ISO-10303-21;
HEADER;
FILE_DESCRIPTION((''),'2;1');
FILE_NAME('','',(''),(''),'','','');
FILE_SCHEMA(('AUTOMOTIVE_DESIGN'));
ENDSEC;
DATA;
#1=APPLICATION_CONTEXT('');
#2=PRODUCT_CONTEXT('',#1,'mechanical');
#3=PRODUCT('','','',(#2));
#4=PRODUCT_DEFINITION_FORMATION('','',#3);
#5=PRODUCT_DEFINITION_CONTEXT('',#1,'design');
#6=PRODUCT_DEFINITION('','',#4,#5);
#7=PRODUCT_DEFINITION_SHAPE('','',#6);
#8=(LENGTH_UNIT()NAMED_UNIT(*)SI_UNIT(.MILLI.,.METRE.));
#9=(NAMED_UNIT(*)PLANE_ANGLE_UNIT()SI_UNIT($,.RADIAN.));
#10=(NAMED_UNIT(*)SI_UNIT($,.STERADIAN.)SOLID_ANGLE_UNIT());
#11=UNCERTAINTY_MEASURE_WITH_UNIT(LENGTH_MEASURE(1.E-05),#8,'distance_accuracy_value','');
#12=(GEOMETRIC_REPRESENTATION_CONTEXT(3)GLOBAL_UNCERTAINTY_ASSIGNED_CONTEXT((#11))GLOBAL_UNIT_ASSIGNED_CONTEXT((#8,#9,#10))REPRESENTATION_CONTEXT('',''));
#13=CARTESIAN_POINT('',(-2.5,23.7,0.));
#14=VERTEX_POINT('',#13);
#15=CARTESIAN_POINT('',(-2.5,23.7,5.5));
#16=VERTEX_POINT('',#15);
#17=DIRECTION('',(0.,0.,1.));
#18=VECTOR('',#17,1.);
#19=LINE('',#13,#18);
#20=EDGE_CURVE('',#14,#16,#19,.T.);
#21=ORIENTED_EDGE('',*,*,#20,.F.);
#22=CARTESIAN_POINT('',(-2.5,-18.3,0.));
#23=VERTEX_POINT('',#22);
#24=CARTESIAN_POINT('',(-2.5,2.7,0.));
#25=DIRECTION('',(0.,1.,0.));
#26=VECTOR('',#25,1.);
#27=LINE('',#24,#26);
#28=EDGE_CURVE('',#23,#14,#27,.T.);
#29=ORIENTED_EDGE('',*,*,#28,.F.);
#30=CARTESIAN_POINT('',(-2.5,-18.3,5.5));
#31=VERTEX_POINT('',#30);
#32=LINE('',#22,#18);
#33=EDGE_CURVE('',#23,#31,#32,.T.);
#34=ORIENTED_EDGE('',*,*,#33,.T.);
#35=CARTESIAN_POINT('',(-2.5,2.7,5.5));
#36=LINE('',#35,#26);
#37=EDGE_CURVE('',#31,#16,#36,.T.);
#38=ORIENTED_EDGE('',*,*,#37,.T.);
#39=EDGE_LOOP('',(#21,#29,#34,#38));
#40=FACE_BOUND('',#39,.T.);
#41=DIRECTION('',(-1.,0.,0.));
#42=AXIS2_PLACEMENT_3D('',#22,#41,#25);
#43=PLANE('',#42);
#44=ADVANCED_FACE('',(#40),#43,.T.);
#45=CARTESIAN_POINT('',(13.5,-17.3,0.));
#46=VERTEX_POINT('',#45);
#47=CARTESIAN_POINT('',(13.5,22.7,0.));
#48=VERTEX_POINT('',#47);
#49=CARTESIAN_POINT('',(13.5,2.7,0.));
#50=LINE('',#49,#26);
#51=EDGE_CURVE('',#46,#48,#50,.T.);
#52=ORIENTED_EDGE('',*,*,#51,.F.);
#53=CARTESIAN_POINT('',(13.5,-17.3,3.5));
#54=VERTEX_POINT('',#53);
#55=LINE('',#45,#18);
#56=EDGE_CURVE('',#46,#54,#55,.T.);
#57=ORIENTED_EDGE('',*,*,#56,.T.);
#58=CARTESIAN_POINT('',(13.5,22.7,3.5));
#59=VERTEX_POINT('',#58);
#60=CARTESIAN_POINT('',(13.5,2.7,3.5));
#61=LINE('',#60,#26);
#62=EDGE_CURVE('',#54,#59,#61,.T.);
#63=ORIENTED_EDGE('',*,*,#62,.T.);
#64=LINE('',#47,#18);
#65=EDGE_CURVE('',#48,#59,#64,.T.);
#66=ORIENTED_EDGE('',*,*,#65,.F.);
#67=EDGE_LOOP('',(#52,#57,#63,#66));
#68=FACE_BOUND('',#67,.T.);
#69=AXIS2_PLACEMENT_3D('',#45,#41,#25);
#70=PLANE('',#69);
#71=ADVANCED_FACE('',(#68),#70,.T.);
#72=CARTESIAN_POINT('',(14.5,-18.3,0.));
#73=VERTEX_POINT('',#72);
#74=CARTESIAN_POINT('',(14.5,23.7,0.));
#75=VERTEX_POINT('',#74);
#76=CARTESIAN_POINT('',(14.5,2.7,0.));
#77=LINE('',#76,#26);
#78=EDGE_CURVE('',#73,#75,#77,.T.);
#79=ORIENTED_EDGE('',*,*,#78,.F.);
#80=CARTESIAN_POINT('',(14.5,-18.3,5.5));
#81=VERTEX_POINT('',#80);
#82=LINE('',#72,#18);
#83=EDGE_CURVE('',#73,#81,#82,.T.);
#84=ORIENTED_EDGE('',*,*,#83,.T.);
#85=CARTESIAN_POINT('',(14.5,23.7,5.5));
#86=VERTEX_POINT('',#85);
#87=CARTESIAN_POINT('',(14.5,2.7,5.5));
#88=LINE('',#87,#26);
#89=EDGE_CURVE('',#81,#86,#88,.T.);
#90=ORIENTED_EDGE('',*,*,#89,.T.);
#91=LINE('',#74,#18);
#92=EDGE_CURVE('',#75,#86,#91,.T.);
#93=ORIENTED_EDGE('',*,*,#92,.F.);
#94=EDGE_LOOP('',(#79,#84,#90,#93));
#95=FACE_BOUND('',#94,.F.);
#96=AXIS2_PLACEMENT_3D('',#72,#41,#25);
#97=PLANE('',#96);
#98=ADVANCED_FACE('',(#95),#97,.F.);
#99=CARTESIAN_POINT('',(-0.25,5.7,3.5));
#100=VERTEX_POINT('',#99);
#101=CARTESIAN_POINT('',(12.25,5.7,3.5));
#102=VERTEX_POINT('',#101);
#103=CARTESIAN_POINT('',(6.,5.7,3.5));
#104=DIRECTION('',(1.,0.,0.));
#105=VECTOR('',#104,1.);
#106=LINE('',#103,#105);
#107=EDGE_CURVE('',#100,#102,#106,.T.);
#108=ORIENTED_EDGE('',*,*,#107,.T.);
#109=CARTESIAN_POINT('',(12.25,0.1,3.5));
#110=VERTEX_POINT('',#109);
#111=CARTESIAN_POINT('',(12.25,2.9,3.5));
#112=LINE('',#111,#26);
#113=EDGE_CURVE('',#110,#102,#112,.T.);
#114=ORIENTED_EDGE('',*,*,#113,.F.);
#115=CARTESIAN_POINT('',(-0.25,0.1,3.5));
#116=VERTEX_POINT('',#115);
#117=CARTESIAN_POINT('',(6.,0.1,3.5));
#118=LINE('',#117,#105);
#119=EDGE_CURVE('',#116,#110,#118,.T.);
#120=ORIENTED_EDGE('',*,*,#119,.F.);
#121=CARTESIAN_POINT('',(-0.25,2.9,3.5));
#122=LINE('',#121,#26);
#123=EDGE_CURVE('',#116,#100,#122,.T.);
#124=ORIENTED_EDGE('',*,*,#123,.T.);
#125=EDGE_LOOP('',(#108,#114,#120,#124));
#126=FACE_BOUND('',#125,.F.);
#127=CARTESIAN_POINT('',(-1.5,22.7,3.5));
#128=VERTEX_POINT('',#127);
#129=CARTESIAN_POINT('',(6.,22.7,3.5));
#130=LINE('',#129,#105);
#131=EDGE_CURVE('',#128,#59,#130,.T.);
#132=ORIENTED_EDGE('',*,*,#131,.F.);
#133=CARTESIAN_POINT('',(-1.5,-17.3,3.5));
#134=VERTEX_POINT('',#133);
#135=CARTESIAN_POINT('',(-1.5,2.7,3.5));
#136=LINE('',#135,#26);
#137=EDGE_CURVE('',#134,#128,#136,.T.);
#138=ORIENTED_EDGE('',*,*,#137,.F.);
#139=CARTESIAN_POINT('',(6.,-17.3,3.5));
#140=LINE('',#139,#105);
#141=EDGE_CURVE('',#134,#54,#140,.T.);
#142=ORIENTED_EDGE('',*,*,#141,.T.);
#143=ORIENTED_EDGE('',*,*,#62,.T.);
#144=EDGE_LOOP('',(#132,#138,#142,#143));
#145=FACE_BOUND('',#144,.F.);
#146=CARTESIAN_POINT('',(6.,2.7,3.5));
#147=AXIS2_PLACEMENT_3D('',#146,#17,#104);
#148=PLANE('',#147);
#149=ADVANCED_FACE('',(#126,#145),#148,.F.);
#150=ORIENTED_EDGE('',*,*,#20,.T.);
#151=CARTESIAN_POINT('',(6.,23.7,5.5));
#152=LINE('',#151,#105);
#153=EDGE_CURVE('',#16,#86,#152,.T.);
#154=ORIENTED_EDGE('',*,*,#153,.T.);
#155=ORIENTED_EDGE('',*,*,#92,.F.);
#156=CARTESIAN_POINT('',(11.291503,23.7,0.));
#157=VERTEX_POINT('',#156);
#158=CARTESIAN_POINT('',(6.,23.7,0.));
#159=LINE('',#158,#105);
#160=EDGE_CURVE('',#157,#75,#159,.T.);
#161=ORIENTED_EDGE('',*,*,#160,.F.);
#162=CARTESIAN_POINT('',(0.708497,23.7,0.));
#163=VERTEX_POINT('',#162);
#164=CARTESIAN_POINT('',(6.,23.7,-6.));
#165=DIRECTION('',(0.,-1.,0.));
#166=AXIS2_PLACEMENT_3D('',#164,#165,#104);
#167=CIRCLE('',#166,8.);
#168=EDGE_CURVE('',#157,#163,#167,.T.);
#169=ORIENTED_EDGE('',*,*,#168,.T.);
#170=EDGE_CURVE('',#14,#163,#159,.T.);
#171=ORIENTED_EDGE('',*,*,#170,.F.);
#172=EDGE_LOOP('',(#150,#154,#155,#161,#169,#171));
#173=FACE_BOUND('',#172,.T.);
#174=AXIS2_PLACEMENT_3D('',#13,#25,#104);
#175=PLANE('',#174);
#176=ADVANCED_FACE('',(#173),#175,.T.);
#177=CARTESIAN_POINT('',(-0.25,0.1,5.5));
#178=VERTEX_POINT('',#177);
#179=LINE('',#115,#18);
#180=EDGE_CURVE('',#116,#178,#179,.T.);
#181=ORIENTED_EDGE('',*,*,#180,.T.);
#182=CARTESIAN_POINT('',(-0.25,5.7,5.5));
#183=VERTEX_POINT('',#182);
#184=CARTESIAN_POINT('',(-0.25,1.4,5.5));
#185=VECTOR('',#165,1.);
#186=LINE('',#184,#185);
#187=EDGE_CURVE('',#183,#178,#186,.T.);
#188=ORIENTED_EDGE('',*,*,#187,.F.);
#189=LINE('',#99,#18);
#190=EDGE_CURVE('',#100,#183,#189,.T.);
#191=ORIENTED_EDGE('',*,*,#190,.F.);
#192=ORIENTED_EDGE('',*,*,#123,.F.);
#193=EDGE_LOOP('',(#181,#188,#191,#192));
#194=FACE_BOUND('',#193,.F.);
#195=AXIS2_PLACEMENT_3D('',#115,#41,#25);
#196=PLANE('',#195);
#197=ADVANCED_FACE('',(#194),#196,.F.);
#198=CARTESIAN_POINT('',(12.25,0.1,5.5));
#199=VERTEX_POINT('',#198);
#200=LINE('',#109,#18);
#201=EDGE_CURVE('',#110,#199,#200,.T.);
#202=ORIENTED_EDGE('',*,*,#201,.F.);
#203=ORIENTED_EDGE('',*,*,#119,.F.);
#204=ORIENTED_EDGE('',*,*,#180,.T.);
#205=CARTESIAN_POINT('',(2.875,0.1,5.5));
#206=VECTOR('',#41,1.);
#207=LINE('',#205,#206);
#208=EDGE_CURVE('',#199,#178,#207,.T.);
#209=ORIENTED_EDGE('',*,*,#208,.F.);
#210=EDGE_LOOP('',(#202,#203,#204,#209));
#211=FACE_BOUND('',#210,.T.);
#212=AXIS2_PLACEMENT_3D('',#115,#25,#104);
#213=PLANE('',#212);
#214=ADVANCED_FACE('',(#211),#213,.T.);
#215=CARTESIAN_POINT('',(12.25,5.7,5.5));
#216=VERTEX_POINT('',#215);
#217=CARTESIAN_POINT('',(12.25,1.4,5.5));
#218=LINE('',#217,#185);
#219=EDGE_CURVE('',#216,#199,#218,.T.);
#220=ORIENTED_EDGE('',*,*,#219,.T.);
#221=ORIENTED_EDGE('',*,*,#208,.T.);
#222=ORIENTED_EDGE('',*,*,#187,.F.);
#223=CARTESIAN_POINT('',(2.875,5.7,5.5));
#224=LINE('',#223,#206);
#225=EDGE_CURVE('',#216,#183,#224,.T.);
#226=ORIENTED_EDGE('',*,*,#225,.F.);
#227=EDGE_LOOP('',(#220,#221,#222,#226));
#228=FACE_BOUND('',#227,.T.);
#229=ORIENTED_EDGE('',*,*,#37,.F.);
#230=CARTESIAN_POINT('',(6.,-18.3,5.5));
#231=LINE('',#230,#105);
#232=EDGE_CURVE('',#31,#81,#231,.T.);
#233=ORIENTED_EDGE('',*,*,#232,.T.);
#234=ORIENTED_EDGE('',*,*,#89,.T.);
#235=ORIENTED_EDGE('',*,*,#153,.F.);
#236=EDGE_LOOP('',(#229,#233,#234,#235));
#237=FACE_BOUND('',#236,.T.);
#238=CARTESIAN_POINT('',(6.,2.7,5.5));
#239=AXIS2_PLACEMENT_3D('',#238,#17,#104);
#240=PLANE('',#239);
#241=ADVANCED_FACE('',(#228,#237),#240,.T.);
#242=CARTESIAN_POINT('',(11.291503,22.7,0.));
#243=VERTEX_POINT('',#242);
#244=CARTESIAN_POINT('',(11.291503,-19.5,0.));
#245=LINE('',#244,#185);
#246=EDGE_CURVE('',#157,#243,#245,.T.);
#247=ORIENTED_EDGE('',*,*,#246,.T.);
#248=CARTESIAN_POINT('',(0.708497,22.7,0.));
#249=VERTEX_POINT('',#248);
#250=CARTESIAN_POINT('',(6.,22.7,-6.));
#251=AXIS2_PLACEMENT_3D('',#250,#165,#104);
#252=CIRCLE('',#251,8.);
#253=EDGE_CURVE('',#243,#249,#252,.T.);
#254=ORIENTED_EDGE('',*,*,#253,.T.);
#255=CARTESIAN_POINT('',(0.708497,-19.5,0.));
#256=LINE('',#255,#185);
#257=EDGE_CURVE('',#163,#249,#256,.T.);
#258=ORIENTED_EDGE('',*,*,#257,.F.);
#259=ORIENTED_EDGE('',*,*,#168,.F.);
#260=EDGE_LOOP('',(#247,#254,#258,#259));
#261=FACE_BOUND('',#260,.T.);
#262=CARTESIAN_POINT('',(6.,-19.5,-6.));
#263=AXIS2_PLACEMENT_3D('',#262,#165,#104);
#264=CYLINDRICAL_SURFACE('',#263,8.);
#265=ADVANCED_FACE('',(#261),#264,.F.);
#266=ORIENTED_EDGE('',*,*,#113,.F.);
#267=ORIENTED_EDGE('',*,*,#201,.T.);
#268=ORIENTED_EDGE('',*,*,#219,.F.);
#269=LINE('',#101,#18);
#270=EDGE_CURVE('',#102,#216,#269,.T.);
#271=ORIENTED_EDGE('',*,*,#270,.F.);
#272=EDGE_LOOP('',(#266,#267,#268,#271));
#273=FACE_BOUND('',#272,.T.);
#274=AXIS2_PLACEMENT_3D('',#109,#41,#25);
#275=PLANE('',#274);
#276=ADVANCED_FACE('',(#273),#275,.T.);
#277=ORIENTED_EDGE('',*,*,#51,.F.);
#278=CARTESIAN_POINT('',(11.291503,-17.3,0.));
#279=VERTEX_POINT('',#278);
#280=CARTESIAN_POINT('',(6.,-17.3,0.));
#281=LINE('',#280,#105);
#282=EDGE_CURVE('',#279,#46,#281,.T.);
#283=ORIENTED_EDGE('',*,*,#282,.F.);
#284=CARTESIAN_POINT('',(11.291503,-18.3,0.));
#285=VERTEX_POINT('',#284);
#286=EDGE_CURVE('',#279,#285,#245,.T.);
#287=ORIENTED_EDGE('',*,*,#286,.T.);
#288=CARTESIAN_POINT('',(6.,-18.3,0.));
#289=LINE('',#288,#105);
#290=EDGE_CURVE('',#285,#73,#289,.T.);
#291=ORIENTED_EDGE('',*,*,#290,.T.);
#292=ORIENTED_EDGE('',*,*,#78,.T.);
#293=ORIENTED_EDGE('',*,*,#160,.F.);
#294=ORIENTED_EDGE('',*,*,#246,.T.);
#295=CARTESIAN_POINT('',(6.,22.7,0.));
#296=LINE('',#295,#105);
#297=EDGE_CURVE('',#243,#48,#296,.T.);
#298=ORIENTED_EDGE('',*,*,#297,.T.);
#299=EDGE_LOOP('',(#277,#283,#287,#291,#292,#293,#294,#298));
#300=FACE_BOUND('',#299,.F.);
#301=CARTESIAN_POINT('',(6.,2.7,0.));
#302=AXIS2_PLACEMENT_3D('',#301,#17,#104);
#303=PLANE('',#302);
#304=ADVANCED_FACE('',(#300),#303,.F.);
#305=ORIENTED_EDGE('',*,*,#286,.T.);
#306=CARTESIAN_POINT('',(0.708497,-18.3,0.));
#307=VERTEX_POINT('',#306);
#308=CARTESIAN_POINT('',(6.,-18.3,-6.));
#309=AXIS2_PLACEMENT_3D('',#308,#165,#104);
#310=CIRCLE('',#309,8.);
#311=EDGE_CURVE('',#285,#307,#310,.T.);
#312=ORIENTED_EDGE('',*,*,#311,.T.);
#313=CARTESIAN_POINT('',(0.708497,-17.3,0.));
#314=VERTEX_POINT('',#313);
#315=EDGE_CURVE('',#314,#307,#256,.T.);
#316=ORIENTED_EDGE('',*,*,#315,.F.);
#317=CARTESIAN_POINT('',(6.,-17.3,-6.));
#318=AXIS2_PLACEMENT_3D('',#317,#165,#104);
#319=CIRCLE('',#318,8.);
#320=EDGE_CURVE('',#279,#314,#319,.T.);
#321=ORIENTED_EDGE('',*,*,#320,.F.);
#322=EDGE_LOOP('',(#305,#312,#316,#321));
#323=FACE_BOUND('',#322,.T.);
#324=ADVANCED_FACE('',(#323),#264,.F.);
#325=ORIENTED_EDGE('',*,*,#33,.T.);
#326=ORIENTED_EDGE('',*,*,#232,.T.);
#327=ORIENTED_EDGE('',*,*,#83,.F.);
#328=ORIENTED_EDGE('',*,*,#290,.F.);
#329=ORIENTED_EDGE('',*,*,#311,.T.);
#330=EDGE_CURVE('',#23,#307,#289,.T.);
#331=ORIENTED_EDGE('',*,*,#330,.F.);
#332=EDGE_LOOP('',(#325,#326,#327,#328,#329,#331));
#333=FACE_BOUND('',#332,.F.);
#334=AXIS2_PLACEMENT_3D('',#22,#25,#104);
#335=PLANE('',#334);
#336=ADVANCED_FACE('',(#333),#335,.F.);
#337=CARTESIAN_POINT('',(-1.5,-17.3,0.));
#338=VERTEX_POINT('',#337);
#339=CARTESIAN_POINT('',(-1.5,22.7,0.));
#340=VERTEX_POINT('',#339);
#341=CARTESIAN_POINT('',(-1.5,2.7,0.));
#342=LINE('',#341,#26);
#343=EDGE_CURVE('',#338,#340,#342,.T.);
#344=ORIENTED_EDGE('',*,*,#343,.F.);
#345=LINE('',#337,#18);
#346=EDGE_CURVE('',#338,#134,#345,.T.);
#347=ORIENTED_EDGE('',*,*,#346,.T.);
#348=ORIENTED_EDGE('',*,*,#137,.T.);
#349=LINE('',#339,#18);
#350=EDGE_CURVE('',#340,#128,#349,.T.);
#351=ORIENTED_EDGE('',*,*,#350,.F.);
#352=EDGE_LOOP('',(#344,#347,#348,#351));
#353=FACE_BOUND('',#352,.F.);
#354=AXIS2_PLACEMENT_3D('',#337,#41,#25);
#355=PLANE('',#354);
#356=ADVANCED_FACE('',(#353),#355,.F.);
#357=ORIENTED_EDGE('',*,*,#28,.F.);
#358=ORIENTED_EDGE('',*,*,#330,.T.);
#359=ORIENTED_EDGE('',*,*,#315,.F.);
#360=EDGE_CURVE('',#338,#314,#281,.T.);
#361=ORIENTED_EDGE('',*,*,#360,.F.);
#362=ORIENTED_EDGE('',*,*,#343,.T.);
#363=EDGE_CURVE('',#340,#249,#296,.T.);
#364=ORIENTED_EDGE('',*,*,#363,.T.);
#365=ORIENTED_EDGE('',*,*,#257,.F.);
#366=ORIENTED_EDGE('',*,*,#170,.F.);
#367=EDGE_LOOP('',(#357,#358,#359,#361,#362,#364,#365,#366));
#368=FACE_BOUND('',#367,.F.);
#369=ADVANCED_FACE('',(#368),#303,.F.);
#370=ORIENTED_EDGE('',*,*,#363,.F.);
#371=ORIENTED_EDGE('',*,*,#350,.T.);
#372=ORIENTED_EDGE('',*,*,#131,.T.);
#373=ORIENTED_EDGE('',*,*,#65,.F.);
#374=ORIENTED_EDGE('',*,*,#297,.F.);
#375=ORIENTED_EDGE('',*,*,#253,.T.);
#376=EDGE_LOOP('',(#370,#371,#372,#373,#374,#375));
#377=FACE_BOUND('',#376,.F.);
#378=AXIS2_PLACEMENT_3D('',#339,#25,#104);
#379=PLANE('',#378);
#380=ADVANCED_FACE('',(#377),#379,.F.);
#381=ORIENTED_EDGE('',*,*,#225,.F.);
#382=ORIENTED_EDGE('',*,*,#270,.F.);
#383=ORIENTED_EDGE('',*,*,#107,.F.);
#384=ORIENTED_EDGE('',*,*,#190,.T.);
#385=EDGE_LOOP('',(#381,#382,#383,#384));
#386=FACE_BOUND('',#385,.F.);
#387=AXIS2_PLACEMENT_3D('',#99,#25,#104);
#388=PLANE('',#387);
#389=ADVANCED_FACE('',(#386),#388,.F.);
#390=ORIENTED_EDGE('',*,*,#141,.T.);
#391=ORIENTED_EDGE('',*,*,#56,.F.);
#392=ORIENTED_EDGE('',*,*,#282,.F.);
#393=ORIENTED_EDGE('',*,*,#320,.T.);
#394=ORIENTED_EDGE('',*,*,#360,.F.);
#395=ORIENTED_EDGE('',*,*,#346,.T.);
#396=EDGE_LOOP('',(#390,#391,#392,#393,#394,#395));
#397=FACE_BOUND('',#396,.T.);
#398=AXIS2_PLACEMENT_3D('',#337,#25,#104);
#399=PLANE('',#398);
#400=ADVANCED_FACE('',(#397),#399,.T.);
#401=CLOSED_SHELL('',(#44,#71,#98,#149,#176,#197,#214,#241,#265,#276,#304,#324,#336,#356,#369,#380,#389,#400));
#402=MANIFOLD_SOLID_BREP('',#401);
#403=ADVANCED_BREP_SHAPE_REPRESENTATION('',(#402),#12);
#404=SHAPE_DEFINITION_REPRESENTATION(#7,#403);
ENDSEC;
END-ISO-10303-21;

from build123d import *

# Parameters (mm, degrees)
CYLINDER004_R     = 8
CYLINDER004_DEPTH = 45
BOX007_W          = 15
BOX007_H          = 40
BOX007_DEPTH      = 5.5
BOX006_W          = 17
BOX006_H          = 42
BOX006_DEPTH      = 5.5
BOX002_W          = 12.5
BOX002_H          = 5.6
BOX002_DEPTH      = 10
BOX005_W          = 15
BOX005_H          = 40
BOX005_DEPTH      = 2


with BuildPart() as cylinder004:
    # Cylinder004 → Cylinder004 (new body)
    with BuildSketch(Plane(origin=(6, -19.5, -6), x_dir=(1, 0, 0), z_dir=(0, 1, 0))):
        Circle(CYLINDER004_R)
    extrude(amount=CYLINDER004_DEPTH)


with BuildPart() as cube007:
    # Box007 → Box007 (new body)
    with BuildSketch(Plane(origin=(-1.5, -17.3, 0), x_dir=(1, 0, 0), z_dir=(0, 0, 1))):
        with Locations((7.5, 20)):
            Rectangle(BOX007_W, BOX007_H)
    extrude(amount=BOX007_DEPTH)


with BuildPart() as cut008:
    # Box006 → Box006 (new body)
    with BuildSketch(Plane(origin=(-2.5, -18.3, 0), x_dir=(1, 0, 0), z_dir=(0, 0, 1))):
        with Locations((8.5, 21)):
            Rectangle(BOX006_W, BOX006_H)
    extrude(amount=BOX006_DEPTH)

    # Cut008: cut Cube007
    add(cube007.part, mode=Mode.SUBTRACT)


with BuildPart() as cube002:
    # Box002 → Box002 (new body)
    with BuildSketch(Plane(origin=(-0.25, 0.1, 0), x_dir=(1, 0, 0), z_dir=(0, 0, 1))):
        with Locations((6.25, 2.8)):
            Rectangle(BOX002_W, BOX002_H)
    extrude(amount=BOX002_DEPTH)


with BuildPart() as trafficlightconntopcover:
    # Box005 → Box005 (new body)
    with BuildSketch(Plane(origin=(-1.5, -17.3, 0), x_dir=(1, 0, 0), z_dir=(0, 0, 1))):
        with Locations((7.5, 20)):
            Rectangle(BOX005_W, BOX005_H)
    extrude(amount=BOX005_DEPTH)

    # Cut007: cut Cube002
    add(cube002.part, mode=Mode.SUBTRACT)


with BuildPart() as trafficlightconntopcover_1:
    # Cut007 placement: moved
    add(trafficlightconntopcover.part.moved(Location((0, 0, 3.5))))

    # Fusion003: union Cut008
    add(cut008.part)

    # Cut015: cut Cylinder004
    add(cylinder004.part, mode=Mode.SUBTRACT)


solid = trafficlightconntopcover_1.part
